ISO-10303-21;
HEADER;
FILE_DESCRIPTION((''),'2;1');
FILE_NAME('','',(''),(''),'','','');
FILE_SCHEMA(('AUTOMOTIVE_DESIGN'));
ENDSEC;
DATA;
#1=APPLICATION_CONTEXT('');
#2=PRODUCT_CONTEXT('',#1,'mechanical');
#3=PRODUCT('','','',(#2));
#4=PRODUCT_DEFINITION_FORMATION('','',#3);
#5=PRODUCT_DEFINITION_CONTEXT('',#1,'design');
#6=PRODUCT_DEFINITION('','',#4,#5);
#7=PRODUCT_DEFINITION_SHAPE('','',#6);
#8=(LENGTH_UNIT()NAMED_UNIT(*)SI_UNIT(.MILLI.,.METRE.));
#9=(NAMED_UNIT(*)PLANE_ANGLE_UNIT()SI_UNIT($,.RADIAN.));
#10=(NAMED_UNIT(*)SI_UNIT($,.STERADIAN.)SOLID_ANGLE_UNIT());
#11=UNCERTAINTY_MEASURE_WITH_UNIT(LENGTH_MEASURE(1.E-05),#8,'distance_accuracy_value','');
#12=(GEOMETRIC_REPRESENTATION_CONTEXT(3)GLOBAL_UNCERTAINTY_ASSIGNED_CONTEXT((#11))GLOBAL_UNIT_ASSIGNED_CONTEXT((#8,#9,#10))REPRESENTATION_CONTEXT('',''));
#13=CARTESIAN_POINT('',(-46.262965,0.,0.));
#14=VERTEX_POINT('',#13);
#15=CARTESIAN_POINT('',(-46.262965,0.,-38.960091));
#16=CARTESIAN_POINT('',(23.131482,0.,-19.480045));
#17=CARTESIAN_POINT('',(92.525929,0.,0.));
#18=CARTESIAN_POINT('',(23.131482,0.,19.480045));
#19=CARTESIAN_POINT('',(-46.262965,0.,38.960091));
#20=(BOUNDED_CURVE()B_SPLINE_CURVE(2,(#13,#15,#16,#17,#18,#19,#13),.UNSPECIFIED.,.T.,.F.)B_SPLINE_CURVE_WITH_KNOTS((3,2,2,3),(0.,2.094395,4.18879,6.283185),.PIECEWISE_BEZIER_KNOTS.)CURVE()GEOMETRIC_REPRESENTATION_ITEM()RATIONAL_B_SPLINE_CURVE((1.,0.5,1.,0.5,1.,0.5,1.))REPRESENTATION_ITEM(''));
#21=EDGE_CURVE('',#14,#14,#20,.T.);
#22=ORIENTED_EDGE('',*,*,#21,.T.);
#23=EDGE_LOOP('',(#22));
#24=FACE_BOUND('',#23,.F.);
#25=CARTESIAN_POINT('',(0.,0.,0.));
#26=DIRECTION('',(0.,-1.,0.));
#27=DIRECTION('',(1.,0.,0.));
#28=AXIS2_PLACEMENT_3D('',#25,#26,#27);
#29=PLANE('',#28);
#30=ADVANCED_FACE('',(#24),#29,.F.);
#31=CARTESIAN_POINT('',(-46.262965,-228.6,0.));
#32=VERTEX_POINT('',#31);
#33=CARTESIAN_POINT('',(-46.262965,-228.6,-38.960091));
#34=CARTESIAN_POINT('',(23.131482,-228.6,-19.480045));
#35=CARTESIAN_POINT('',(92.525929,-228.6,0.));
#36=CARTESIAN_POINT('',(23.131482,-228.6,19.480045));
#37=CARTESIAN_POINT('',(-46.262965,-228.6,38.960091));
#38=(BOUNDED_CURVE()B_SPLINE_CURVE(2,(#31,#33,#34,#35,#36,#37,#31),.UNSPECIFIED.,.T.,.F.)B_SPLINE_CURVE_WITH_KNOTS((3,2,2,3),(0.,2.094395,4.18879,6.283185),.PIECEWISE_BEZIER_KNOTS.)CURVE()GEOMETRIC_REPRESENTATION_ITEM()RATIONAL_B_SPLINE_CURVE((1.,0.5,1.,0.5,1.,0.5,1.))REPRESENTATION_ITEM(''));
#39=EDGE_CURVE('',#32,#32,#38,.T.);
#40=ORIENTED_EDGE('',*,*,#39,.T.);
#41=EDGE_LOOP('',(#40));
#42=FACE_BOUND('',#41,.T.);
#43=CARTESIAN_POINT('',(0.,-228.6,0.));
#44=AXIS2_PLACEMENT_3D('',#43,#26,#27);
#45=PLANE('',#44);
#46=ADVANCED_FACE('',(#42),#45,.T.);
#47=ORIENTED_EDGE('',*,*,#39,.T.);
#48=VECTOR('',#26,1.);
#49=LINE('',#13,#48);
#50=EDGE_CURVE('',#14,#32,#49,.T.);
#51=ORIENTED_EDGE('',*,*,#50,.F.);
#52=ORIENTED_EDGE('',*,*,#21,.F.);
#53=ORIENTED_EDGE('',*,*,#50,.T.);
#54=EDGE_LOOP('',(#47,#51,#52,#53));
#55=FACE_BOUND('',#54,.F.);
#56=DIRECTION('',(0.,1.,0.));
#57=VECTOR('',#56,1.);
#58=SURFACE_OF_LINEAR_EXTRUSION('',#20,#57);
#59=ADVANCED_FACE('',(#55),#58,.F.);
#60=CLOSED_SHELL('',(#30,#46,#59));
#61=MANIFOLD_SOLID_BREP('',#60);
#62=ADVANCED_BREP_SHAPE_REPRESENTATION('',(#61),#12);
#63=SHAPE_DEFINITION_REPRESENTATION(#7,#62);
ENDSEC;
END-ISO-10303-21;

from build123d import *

# Parameters (mm, degrees)
F1_DEPTH = 228.6


with BuildPart() as f1:
    # F0 (on Front) → F1 (new body)
    with BuildSketch(Plane.XZ):
        with BuildLine():
            add(Edge.make_bspline(
                [(-46.262965, 0), (-46.262965, -38.960091), (23.131482, -19.480045), (92.525929, 0), (23.131482, 19.480045), (-46.262965, 38.960091), (-46.262965, 0)],
                knots=[0, 0, 0, 2.094395, 2.094395, 4.18879, 4.18879, 6.283185, 6.283185, 6.283185], degree=2, weights=[1, 0.5, 1, 0.5, 1, 0.5, 1]))
        make_face()
    extrude(amount=F1_DEPTH)


solid = f1.part
